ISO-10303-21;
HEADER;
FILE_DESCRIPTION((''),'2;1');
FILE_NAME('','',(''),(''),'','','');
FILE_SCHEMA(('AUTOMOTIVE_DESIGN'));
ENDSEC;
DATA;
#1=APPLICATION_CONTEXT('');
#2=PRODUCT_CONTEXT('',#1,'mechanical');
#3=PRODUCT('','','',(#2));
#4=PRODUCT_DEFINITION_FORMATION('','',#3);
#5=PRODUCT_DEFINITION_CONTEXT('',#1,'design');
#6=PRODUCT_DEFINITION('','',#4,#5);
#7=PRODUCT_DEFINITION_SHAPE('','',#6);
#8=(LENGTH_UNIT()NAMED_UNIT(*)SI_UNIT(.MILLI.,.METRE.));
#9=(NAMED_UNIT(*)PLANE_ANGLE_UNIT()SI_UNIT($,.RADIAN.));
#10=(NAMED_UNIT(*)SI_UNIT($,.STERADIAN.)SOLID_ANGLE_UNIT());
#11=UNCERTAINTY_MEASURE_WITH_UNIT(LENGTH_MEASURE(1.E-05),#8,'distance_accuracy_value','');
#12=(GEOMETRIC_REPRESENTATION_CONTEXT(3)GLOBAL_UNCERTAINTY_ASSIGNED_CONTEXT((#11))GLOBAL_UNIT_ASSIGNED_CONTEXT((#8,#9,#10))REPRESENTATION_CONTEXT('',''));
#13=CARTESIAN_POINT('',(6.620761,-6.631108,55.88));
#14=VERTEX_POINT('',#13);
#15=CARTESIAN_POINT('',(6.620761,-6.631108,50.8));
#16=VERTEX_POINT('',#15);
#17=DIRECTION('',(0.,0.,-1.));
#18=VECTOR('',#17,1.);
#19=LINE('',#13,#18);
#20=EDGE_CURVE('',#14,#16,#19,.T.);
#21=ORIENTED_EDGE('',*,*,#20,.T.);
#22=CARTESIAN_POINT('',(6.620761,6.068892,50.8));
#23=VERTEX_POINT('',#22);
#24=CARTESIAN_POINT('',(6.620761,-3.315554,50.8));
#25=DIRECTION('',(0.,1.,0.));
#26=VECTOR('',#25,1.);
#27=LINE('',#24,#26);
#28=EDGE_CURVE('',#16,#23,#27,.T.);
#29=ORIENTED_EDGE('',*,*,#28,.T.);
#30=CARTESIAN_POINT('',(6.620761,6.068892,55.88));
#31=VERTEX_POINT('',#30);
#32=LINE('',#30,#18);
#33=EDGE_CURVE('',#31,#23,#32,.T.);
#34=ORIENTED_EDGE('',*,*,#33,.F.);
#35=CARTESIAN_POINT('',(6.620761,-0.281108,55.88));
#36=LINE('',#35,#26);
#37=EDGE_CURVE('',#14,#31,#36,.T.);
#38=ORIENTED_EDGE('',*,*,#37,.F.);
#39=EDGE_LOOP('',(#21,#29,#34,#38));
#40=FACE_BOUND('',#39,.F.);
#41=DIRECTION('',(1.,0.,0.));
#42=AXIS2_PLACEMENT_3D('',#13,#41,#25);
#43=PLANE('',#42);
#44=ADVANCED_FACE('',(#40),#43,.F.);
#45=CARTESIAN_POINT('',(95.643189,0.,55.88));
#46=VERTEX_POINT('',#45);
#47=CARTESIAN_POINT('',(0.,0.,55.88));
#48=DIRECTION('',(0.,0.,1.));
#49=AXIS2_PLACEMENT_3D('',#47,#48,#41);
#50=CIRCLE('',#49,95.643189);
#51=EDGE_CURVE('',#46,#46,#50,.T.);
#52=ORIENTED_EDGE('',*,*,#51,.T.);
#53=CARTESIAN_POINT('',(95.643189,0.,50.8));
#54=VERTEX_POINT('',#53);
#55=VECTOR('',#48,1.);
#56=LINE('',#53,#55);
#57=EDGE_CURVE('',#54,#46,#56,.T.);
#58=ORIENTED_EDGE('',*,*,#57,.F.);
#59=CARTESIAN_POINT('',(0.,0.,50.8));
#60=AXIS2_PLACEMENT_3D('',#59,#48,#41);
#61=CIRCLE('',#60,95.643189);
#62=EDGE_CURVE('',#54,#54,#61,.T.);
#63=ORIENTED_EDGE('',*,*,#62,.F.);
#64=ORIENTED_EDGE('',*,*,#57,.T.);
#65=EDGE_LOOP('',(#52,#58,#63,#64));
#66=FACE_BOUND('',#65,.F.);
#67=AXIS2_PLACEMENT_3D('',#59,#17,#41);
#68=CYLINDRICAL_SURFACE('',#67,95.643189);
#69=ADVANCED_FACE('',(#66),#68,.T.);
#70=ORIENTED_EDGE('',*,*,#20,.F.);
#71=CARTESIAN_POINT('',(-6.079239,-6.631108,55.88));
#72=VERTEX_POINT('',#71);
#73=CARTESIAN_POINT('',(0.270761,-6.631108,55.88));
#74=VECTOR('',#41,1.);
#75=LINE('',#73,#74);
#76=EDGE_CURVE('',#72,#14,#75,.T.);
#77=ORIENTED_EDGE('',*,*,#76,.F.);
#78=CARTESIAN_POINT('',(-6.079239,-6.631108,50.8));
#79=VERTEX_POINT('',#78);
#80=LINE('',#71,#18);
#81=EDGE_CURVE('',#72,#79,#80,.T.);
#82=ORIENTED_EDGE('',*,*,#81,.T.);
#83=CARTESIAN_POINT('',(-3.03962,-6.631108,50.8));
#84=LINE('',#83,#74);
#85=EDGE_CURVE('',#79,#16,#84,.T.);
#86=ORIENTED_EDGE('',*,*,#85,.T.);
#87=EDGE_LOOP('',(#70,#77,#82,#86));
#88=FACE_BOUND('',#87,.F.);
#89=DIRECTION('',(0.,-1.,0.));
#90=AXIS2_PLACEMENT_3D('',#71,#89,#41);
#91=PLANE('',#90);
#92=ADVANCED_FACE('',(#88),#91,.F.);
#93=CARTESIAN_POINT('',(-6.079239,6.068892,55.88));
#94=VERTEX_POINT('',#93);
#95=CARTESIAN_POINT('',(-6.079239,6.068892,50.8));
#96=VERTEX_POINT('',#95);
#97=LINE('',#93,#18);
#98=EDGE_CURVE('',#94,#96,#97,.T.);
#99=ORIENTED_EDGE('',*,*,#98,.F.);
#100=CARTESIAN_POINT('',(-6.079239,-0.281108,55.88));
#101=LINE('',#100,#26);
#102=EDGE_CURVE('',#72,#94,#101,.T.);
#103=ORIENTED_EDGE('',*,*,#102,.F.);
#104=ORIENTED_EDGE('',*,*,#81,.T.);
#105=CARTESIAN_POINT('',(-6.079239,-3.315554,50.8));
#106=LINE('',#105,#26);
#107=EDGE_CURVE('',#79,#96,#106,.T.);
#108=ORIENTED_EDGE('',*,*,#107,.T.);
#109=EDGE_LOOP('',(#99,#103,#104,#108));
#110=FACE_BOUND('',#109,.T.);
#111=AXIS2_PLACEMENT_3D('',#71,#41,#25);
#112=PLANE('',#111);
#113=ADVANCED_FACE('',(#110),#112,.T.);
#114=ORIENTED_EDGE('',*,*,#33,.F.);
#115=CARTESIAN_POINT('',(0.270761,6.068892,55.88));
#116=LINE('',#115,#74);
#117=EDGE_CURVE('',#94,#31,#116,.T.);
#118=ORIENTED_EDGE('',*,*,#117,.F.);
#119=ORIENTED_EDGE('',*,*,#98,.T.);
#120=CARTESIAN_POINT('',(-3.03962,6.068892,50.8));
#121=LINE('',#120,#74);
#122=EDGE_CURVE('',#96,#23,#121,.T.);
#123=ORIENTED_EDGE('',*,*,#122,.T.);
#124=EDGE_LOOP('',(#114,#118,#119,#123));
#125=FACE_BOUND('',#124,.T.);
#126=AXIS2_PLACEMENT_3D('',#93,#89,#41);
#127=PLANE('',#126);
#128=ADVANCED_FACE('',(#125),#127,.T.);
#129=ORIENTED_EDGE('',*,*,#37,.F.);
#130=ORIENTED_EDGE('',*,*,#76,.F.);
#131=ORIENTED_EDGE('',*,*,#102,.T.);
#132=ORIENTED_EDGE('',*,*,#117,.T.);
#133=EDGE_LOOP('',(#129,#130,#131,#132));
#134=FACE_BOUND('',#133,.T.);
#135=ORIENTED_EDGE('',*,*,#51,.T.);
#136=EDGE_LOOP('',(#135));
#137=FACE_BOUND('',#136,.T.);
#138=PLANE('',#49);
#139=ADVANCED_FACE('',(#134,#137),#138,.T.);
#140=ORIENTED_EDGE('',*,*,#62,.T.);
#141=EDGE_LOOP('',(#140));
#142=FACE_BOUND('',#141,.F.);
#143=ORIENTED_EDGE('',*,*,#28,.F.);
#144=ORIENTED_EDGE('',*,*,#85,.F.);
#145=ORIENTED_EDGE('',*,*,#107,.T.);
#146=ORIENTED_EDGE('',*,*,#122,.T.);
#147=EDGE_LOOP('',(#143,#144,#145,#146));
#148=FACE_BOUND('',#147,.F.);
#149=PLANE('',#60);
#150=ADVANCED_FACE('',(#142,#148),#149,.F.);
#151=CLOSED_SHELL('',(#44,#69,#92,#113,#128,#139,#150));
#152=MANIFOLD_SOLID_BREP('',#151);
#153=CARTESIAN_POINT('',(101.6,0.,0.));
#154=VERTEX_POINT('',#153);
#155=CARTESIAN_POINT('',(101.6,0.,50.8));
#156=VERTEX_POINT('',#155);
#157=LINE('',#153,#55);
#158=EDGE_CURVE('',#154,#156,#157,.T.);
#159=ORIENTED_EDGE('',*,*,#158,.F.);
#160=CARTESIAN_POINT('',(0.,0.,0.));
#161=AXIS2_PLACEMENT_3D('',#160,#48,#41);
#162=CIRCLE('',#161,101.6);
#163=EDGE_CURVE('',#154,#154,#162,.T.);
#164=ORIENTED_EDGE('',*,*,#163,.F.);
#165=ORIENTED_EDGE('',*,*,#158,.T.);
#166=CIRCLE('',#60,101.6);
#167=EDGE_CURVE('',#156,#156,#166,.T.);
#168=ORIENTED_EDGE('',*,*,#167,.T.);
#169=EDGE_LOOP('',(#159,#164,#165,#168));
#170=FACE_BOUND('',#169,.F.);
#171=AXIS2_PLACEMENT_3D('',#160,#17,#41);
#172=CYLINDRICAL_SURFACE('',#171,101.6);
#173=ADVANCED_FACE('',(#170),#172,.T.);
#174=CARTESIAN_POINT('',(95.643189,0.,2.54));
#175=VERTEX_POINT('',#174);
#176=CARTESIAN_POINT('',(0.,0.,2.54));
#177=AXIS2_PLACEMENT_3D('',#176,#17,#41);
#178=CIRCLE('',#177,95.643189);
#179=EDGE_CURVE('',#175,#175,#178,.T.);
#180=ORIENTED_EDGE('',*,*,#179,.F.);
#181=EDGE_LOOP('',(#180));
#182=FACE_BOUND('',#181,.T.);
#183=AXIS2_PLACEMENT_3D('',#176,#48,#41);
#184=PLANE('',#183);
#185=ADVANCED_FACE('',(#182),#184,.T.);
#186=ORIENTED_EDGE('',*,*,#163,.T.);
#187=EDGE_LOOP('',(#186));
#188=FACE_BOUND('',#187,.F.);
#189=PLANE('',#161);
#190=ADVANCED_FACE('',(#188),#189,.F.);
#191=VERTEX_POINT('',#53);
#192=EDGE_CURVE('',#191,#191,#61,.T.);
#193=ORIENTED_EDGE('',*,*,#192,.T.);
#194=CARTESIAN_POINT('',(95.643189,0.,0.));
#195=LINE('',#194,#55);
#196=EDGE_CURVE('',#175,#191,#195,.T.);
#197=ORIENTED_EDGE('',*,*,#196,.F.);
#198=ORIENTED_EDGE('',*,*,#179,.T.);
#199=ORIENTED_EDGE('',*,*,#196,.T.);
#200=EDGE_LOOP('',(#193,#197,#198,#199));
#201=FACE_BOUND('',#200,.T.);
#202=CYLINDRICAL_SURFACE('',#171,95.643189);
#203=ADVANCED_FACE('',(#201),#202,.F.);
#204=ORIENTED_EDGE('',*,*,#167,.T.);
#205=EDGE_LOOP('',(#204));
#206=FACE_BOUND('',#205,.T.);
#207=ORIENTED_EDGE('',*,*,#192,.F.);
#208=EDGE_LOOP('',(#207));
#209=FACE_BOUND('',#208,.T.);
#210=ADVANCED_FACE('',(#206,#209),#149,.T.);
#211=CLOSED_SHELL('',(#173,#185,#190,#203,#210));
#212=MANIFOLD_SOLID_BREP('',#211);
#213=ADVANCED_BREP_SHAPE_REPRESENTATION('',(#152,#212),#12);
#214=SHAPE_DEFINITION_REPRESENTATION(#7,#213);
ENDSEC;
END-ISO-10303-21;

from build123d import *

# Parameters (mm, degrees)
F1_R     = 101.6
F1_R_2   = 95.643189
F2_DEPTH = 50.8
F3_R     = 95.67193
F4_DEPTH = 2.54
F5_R     = 95.643189
F6_DEPTH = 5.08
F7_W     = 12.7
F7_H     = 12.7
F8_DEPTH = 50.8


with BuildPart() as f2:
    # F1 (on face) → F2 (new body)
    with BuildSketch(Plane.XY):
        Circle(F1_R)
        Circle(F1_R_2, mode=Mode.SUBTRACT)
    extrude(amount=F2_DEPTH)

    # F3 (on face) → F4 (join)
    with BuildSketch(Plane.XY):
        Circle(F3_R)
    extrude(amount=F4_DEPTH)


with BuildPart() as f6:
    # F5 (on face) → F6 (new body)
    with BuildSketch(Plane.XY.offset(50.8)):
        Circle(F5_R)
    extrude(amount=F6_DEPTH)

    # F7 (on face) → F8 (cut)
    with BuildSketch(Plane.XY.offset(55.88)):
        with Locations((0.270761, -0.281108)):
            Rectangle(F7_W, F7_H)
    extrude(amount=-F8_DEPTH, mode=Mode.SUBTRACT)


solid = Compound([f2.part, f6.part])
